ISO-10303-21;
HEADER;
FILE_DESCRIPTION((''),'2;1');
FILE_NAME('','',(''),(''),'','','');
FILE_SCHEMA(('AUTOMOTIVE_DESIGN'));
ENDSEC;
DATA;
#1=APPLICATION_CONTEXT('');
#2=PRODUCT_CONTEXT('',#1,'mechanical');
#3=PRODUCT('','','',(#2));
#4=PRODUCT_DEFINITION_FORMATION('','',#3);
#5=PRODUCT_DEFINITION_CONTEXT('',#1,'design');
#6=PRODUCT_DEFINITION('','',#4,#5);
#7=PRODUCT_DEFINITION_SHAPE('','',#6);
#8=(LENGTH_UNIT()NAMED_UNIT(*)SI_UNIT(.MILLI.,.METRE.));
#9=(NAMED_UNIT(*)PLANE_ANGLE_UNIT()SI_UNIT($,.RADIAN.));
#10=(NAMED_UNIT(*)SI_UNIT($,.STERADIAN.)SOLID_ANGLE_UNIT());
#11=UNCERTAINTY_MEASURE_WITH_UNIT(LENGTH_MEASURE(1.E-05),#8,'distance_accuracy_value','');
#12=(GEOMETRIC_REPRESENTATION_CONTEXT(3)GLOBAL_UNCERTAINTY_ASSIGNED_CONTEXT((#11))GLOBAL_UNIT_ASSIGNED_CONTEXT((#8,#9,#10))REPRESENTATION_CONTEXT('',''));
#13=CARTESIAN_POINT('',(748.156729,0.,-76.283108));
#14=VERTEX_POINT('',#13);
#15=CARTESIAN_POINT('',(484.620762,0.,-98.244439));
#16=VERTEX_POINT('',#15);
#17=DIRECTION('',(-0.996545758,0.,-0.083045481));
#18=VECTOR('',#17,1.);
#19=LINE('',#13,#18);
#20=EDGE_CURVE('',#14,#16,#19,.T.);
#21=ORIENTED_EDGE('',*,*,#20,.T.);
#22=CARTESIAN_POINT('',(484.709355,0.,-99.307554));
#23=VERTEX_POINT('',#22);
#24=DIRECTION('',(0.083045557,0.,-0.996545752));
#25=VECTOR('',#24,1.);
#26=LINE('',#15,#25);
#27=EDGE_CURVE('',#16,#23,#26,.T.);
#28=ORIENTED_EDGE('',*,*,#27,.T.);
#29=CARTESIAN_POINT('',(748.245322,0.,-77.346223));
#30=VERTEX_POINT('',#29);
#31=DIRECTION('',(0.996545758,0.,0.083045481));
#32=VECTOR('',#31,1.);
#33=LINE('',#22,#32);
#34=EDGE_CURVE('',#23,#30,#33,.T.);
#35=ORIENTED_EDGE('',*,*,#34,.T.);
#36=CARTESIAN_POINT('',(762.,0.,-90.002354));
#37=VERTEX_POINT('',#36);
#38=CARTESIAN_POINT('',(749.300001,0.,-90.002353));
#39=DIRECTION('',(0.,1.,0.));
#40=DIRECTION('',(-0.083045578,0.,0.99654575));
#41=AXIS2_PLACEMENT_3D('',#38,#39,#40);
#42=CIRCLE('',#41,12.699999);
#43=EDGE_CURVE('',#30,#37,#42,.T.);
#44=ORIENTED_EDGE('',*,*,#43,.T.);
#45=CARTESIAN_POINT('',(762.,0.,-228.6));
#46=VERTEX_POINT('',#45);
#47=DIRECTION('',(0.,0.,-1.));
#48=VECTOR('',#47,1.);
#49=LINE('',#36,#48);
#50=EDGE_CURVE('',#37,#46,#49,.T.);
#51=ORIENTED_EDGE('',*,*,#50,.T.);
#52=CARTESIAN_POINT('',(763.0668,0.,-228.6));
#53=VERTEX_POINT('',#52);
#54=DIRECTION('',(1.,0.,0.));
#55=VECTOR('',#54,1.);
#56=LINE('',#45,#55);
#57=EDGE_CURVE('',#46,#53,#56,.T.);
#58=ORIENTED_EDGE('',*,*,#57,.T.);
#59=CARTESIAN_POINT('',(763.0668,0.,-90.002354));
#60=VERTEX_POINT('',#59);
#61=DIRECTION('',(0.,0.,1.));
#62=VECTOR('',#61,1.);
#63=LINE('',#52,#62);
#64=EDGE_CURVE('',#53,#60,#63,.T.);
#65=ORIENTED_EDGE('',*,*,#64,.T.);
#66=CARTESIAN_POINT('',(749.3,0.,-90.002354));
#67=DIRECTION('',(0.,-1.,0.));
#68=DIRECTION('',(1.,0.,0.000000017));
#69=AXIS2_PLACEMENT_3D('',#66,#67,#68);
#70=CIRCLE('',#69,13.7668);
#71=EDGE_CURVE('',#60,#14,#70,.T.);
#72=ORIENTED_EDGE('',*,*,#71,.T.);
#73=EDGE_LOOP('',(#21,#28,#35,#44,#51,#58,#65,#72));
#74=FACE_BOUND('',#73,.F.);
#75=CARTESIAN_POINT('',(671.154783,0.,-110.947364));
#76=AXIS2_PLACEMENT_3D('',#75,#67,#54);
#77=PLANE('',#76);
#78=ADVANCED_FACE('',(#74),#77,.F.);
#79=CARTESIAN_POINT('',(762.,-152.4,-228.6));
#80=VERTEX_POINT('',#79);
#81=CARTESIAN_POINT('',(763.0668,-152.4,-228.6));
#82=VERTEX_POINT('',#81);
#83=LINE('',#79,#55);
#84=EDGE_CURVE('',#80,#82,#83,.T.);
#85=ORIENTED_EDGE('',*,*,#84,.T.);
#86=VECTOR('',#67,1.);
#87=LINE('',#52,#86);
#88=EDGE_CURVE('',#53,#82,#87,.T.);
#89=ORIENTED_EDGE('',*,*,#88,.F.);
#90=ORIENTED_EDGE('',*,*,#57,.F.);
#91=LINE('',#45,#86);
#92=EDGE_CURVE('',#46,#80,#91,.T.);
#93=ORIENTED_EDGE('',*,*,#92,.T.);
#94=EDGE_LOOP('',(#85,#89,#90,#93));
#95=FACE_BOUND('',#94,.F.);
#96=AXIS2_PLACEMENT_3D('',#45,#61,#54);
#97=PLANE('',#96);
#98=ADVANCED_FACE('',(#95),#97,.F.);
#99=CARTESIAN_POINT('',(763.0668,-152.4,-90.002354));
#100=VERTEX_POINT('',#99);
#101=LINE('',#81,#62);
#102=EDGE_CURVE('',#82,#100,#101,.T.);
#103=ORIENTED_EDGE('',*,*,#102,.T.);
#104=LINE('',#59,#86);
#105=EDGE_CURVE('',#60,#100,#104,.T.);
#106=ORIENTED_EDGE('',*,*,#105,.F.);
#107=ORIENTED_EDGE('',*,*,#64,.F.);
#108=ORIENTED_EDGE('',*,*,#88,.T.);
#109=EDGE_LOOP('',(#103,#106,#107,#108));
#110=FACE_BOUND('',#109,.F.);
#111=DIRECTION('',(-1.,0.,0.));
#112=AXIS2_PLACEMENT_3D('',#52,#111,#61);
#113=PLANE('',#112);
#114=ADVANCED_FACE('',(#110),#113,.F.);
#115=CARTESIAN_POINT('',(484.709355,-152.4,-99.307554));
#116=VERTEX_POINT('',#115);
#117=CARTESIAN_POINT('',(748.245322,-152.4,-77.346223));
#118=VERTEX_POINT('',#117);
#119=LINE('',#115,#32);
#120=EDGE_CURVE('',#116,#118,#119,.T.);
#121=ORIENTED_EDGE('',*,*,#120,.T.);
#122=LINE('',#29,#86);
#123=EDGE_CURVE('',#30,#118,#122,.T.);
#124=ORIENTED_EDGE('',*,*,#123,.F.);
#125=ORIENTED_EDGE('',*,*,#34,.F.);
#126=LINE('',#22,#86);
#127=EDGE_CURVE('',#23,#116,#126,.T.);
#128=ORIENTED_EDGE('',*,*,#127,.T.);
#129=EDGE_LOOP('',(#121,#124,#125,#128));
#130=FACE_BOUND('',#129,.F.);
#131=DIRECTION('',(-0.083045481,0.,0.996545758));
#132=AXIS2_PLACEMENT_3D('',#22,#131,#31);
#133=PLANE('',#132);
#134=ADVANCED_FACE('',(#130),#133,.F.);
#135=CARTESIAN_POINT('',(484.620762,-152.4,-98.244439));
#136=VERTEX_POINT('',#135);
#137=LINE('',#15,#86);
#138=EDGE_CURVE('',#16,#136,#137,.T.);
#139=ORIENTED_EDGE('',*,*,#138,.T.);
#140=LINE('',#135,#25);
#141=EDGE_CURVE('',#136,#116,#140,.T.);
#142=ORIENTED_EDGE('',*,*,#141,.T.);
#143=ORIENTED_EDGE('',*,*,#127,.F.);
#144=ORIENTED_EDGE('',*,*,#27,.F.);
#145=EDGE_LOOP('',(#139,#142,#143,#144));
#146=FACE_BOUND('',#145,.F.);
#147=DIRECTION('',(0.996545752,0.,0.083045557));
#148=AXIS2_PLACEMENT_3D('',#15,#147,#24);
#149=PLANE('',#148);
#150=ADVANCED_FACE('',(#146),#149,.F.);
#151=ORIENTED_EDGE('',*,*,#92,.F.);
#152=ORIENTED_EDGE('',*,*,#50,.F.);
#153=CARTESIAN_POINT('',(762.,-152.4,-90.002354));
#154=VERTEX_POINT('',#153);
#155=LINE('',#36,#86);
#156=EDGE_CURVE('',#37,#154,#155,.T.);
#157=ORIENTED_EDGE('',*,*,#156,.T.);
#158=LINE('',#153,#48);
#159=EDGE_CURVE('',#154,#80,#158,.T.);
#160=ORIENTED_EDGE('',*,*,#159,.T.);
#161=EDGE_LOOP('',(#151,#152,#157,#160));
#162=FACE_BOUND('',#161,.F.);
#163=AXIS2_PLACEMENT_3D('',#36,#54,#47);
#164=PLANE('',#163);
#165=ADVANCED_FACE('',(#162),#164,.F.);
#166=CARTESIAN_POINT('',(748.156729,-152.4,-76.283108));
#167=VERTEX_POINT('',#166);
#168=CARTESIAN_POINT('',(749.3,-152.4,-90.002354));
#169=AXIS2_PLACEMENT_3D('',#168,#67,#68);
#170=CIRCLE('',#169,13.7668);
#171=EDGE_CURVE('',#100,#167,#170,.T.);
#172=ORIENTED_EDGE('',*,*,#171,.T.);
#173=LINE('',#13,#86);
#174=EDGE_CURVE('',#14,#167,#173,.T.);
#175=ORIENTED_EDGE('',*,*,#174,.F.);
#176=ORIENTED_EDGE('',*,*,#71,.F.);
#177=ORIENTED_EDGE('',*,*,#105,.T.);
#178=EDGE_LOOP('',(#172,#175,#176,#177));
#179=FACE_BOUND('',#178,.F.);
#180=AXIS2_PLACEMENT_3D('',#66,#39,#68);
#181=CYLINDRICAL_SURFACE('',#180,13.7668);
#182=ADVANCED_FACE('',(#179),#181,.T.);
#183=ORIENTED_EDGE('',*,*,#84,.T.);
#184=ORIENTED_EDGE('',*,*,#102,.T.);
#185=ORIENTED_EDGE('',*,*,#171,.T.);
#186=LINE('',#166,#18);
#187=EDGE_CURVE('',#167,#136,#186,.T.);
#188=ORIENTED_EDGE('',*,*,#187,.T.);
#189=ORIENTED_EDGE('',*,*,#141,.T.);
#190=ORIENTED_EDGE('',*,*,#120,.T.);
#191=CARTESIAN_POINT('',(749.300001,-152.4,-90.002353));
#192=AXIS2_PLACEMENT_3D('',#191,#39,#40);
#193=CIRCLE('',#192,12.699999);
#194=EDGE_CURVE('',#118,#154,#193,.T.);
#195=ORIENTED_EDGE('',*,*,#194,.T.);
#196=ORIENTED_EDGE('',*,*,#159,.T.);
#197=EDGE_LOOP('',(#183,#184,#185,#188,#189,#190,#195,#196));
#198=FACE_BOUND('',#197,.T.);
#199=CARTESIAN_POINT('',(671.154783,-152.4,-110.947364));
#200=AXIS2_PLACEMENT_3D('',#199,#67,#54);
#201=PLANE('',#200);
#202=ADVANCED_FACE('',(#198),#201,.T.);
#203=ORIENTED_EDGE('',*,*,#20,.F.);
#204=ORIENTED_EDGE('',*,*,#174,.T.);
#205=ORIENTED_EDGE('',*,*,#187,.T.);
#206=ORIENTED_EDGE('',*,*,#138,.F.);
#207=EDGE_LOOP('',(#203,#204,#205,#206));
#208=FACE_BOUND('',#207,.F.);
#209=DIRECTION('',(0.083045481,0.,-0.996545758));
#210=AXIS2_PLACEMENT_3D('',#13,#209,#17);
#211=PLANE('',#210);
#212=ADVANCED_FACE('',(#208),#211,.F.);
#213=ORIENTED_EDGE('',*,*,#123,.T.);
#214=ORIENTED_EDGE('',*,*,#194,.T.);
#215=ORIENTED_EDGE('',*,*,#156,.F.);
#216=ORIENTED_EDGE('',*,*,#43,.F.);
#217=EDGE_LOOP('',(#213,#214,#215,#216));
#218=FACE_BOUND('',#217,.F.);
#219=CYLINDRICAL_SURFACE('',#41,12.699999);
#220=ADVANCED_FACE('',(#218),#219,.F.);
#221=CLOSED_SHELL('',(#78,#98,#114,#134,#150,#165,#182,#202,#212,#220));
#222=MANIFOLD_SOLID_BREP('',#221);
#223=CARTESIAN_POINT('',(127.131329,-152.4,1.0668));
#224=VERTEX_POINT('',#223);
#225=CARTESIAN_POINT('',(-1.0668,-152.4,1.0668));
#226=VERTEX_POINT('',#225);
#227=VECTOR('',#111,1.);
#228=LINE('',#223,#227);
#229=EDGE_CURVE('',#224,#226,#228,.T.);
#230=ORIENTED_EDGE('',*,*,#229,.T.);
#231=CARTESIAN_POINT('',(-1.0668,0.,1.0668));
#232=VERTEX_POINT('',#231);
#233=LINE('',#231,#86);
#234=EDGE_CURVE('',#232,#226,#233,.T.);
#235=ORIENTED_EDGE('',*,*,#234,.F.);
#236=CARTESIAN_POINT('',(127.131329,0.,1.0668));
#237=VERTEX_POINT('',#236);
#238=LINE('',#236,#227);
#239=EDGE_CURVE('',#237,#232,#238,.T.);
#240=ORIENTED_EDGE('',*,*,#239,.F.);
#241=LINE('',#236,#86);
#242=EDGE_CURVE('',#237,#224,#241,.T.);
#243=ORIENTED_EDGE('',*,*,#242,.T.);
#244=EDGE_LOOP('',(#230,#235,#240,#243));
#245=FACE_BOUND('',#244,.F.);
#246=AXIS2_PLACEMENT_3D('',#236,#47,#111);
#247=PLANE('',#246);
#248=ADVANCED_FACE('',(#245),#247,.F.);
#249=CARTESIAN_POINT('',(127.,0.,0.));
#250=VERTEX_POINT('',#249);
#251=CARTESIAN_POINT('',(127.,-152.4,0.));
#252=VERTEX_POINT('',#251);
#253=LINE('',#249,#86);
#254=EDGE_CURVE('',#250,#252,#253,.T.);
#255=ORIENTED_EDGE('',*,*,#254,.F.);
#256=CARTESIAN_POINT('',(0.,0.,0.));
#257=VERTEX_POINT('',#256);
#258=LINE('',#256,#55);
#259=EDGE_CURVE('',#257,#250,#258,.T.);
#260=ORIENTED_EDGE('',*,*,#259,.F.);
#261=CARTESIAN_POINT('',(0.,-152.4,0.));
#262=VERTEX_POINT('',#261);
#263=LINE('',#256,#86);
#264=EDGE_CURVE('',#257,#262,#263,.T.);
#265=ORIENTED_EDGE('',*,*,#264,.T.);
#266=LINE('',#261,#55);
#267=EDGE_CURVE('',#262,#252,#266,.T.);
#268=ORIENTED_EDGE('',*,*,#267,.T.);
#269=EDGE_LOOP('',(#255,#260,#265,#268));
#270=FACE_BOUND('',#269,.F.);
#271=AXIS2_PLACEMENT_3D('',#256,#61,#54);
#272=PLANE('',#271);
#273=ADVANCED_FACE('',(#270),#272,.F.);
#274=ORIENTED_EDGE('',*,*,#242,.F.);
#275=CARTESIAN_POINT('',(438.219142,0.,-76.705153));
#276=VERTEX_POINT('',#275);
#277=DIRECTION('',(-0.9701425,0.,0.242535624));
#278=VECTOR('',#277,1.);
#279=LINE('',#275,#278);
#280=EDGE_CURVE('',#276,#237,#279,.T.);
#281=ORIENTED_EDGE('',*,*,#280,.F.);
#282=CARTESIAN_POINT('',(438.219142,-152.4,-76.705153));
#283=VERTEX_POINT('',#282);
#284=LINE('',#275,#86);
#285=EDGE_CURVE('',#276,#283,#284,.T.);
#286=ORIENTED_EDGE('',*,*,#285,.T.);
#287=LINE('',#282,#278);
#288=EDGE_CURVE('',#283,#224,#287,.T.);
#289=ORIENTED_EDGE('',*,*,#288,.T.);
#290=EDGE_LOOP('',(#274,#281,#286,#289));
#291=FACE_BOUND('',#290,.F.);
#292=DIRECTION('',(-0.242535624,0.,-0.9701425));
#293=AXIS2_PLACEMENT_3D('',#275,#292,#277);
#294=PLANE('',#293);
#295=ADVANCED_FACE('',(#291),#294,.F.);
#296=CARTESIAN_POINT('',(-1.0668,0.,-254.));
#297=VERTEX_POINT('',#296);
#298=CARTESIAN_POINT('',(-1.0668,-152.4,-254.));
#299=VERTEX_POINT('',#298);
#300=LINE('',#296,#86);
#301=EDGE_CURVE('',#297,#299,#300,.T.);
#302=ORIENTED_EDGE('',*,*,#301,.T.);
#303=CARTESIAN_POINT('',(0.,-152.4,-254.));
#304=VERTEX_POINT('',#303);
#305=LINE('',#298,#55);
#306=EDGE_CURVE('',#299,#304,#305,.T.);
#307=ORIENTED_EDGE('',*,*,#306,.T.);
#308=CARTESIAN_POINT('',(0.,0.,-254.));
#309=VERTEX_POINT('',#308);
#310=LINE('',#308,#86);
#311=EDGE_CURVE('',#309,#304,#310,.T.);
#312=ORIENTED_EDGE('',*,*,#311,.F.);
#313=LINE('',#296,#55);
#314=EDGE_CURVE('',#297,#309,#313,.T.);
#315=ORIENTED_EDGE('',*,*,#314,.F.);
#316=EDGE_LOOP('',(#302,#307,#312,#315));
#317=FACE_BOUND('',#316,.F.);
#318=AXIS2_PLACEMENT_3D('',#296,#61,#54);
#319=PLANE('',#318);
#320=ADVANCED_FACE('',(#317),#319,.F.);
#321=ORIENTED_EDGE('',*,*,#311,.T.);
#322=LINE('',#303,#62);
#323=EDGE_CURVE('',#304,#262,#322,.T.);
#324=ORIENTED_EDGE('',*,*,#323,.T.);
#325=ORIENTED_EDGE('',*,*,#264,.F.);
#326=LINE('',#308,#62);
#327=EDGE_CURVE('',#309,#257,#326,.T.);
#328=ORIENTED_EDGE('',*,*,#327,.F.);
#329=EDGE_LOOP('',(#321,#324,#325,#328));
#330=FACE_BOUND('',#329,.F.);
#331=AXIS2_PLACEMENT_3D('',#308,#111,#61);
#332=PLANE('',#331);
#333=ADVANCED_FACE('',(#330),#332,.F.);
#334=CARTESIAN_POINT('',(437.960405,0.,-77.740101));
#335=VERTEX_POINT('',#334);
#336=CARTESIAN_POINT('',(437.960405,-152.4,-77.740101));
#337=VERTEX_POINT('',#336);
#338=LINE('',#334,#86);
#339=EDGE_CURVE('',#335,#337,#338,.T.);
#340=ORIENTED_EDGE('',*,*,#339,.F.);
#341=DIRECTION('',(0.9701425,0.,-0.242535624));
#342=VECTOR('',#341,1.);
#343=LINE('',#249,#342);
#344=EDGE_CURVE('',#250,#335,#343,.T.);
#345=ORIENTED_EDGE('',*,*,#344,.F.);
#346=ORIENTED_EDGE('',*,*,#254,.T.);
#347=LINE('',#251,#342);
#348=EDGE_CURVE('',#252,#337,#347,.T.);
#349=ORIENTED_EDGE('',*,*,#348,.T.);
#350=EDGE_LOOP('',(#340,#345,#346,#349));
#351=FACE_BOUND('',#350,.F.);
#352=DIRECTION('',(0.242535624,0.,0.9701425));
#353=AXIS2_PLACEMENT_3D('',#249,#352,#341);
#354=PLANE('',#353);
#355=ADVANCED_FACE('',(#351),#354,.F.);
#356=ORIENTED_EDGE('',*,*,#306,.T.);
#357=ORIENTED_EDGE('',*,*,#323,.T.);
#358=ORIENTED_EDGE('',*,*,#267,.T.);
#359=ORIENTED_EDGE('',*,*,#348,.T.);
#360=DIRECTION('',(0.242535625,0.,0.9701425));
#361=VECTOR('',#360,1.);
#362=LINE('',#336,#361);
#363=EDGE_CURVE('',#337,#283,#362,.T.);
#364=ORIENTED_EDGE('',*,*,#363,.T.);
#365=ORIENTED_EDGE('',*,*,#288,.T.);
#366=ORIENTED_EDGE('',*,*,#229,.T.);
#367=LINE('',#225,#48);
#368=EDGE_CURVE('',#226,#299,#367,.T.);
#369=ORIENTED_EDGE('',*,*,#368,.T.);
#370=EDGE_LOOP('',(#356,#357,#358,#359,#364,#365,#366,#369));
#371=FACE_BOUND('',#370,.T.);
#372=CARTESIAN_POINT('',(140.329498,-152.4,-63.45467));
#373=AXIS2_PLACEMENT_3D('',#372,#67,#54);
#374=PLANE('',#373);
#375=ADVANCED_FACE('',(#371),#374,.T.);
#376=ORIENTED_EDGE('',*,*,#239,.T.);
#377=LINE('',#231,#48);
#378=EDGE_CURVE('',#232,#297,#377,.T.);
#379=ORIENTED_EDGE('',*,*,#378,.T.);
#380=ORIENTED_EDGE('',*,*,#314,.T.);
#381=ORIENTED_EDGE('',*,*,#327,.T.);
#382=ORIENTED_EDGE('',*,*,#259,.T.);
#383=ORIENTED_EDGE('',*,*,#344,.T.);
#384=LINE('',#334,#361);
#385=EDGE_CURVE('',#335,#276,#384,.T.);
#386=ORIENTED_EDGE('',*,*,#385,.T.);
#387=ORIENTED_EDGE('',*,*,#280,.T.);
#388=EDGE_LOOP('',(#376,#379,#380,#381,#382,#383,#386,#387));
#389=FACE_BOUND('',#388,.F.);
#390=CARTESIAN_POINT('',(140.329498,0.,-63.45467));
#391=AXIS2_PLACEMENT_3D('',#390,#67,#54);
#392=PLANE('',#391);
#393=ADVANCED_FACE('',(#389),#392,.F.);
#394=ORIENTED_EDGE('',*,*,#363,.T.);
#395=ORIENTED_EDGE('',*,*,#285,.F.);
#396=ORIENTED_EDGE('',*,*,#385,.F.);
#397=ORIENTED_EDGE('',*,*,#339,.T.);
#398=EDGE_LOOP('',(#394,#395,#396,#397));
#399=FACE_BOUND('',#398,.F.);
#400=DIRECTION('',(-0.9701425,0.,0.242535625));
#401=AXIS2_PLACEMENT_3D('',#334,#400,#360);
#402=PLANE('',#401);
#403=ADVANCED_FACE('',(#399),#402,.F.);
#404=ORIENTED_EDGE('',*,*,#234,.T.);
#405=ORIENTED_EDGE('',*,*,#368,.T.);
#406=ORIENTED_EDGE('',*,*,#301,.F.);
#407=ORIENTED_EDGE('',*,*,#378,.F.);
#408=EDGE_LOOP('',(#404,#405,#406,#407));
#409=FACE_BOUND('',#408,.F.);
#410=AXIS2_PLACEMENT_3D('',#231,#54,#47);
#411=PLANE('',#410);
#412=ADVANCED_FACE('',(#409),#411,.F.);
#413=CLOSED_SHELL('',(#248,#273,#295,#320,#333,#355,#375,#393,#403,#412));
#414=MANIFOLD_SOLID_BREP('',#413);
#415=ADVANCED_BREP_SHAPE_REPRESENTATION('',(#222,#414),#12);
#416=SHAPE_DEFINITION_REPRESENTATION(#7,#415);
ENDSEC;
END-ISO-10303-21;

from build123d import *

# Parameters (mm, degrees)
F1_DEPTH = 152.4


with BuildPart() as f1:
    # F0 (on Front) → F1 (new body)
    with BuildSketch(Plane.XZ):
        Polygon((0, -254), (0, 0), (127, 0), (437.960405, -77.740101), (438.219142, -76.705153), (127.131329, 1.0668), (-1.0668, 1.0668), (-1.0668, -254), align=None)
        with BuildLine():
            Line((484.620762, -98.244439), (484.709355, -99.307554))
            Line((484.709355, -99.307554), (748.245322, -77.346223))
            ThreePointArc((748.245322, -77.346223), (757.899291, -80.656649), (762, -90.002354))
            Line((762, -90.002354), (762, -228.6))
            Line((762, -228.6), (763.0668, -228.6))
            Line((763.0668, -228.6), (763.0668, -90.002354))
            ThreePointArc((763.0668, -90.002354), (758.621631, -79.87161), (748.156729, -76.283108))
            Line((748.156729, -76.283108), (484.620762, -98.244439))
        make_face()
    extrude(amount=F1_DEPTH)


solid = f1.part
